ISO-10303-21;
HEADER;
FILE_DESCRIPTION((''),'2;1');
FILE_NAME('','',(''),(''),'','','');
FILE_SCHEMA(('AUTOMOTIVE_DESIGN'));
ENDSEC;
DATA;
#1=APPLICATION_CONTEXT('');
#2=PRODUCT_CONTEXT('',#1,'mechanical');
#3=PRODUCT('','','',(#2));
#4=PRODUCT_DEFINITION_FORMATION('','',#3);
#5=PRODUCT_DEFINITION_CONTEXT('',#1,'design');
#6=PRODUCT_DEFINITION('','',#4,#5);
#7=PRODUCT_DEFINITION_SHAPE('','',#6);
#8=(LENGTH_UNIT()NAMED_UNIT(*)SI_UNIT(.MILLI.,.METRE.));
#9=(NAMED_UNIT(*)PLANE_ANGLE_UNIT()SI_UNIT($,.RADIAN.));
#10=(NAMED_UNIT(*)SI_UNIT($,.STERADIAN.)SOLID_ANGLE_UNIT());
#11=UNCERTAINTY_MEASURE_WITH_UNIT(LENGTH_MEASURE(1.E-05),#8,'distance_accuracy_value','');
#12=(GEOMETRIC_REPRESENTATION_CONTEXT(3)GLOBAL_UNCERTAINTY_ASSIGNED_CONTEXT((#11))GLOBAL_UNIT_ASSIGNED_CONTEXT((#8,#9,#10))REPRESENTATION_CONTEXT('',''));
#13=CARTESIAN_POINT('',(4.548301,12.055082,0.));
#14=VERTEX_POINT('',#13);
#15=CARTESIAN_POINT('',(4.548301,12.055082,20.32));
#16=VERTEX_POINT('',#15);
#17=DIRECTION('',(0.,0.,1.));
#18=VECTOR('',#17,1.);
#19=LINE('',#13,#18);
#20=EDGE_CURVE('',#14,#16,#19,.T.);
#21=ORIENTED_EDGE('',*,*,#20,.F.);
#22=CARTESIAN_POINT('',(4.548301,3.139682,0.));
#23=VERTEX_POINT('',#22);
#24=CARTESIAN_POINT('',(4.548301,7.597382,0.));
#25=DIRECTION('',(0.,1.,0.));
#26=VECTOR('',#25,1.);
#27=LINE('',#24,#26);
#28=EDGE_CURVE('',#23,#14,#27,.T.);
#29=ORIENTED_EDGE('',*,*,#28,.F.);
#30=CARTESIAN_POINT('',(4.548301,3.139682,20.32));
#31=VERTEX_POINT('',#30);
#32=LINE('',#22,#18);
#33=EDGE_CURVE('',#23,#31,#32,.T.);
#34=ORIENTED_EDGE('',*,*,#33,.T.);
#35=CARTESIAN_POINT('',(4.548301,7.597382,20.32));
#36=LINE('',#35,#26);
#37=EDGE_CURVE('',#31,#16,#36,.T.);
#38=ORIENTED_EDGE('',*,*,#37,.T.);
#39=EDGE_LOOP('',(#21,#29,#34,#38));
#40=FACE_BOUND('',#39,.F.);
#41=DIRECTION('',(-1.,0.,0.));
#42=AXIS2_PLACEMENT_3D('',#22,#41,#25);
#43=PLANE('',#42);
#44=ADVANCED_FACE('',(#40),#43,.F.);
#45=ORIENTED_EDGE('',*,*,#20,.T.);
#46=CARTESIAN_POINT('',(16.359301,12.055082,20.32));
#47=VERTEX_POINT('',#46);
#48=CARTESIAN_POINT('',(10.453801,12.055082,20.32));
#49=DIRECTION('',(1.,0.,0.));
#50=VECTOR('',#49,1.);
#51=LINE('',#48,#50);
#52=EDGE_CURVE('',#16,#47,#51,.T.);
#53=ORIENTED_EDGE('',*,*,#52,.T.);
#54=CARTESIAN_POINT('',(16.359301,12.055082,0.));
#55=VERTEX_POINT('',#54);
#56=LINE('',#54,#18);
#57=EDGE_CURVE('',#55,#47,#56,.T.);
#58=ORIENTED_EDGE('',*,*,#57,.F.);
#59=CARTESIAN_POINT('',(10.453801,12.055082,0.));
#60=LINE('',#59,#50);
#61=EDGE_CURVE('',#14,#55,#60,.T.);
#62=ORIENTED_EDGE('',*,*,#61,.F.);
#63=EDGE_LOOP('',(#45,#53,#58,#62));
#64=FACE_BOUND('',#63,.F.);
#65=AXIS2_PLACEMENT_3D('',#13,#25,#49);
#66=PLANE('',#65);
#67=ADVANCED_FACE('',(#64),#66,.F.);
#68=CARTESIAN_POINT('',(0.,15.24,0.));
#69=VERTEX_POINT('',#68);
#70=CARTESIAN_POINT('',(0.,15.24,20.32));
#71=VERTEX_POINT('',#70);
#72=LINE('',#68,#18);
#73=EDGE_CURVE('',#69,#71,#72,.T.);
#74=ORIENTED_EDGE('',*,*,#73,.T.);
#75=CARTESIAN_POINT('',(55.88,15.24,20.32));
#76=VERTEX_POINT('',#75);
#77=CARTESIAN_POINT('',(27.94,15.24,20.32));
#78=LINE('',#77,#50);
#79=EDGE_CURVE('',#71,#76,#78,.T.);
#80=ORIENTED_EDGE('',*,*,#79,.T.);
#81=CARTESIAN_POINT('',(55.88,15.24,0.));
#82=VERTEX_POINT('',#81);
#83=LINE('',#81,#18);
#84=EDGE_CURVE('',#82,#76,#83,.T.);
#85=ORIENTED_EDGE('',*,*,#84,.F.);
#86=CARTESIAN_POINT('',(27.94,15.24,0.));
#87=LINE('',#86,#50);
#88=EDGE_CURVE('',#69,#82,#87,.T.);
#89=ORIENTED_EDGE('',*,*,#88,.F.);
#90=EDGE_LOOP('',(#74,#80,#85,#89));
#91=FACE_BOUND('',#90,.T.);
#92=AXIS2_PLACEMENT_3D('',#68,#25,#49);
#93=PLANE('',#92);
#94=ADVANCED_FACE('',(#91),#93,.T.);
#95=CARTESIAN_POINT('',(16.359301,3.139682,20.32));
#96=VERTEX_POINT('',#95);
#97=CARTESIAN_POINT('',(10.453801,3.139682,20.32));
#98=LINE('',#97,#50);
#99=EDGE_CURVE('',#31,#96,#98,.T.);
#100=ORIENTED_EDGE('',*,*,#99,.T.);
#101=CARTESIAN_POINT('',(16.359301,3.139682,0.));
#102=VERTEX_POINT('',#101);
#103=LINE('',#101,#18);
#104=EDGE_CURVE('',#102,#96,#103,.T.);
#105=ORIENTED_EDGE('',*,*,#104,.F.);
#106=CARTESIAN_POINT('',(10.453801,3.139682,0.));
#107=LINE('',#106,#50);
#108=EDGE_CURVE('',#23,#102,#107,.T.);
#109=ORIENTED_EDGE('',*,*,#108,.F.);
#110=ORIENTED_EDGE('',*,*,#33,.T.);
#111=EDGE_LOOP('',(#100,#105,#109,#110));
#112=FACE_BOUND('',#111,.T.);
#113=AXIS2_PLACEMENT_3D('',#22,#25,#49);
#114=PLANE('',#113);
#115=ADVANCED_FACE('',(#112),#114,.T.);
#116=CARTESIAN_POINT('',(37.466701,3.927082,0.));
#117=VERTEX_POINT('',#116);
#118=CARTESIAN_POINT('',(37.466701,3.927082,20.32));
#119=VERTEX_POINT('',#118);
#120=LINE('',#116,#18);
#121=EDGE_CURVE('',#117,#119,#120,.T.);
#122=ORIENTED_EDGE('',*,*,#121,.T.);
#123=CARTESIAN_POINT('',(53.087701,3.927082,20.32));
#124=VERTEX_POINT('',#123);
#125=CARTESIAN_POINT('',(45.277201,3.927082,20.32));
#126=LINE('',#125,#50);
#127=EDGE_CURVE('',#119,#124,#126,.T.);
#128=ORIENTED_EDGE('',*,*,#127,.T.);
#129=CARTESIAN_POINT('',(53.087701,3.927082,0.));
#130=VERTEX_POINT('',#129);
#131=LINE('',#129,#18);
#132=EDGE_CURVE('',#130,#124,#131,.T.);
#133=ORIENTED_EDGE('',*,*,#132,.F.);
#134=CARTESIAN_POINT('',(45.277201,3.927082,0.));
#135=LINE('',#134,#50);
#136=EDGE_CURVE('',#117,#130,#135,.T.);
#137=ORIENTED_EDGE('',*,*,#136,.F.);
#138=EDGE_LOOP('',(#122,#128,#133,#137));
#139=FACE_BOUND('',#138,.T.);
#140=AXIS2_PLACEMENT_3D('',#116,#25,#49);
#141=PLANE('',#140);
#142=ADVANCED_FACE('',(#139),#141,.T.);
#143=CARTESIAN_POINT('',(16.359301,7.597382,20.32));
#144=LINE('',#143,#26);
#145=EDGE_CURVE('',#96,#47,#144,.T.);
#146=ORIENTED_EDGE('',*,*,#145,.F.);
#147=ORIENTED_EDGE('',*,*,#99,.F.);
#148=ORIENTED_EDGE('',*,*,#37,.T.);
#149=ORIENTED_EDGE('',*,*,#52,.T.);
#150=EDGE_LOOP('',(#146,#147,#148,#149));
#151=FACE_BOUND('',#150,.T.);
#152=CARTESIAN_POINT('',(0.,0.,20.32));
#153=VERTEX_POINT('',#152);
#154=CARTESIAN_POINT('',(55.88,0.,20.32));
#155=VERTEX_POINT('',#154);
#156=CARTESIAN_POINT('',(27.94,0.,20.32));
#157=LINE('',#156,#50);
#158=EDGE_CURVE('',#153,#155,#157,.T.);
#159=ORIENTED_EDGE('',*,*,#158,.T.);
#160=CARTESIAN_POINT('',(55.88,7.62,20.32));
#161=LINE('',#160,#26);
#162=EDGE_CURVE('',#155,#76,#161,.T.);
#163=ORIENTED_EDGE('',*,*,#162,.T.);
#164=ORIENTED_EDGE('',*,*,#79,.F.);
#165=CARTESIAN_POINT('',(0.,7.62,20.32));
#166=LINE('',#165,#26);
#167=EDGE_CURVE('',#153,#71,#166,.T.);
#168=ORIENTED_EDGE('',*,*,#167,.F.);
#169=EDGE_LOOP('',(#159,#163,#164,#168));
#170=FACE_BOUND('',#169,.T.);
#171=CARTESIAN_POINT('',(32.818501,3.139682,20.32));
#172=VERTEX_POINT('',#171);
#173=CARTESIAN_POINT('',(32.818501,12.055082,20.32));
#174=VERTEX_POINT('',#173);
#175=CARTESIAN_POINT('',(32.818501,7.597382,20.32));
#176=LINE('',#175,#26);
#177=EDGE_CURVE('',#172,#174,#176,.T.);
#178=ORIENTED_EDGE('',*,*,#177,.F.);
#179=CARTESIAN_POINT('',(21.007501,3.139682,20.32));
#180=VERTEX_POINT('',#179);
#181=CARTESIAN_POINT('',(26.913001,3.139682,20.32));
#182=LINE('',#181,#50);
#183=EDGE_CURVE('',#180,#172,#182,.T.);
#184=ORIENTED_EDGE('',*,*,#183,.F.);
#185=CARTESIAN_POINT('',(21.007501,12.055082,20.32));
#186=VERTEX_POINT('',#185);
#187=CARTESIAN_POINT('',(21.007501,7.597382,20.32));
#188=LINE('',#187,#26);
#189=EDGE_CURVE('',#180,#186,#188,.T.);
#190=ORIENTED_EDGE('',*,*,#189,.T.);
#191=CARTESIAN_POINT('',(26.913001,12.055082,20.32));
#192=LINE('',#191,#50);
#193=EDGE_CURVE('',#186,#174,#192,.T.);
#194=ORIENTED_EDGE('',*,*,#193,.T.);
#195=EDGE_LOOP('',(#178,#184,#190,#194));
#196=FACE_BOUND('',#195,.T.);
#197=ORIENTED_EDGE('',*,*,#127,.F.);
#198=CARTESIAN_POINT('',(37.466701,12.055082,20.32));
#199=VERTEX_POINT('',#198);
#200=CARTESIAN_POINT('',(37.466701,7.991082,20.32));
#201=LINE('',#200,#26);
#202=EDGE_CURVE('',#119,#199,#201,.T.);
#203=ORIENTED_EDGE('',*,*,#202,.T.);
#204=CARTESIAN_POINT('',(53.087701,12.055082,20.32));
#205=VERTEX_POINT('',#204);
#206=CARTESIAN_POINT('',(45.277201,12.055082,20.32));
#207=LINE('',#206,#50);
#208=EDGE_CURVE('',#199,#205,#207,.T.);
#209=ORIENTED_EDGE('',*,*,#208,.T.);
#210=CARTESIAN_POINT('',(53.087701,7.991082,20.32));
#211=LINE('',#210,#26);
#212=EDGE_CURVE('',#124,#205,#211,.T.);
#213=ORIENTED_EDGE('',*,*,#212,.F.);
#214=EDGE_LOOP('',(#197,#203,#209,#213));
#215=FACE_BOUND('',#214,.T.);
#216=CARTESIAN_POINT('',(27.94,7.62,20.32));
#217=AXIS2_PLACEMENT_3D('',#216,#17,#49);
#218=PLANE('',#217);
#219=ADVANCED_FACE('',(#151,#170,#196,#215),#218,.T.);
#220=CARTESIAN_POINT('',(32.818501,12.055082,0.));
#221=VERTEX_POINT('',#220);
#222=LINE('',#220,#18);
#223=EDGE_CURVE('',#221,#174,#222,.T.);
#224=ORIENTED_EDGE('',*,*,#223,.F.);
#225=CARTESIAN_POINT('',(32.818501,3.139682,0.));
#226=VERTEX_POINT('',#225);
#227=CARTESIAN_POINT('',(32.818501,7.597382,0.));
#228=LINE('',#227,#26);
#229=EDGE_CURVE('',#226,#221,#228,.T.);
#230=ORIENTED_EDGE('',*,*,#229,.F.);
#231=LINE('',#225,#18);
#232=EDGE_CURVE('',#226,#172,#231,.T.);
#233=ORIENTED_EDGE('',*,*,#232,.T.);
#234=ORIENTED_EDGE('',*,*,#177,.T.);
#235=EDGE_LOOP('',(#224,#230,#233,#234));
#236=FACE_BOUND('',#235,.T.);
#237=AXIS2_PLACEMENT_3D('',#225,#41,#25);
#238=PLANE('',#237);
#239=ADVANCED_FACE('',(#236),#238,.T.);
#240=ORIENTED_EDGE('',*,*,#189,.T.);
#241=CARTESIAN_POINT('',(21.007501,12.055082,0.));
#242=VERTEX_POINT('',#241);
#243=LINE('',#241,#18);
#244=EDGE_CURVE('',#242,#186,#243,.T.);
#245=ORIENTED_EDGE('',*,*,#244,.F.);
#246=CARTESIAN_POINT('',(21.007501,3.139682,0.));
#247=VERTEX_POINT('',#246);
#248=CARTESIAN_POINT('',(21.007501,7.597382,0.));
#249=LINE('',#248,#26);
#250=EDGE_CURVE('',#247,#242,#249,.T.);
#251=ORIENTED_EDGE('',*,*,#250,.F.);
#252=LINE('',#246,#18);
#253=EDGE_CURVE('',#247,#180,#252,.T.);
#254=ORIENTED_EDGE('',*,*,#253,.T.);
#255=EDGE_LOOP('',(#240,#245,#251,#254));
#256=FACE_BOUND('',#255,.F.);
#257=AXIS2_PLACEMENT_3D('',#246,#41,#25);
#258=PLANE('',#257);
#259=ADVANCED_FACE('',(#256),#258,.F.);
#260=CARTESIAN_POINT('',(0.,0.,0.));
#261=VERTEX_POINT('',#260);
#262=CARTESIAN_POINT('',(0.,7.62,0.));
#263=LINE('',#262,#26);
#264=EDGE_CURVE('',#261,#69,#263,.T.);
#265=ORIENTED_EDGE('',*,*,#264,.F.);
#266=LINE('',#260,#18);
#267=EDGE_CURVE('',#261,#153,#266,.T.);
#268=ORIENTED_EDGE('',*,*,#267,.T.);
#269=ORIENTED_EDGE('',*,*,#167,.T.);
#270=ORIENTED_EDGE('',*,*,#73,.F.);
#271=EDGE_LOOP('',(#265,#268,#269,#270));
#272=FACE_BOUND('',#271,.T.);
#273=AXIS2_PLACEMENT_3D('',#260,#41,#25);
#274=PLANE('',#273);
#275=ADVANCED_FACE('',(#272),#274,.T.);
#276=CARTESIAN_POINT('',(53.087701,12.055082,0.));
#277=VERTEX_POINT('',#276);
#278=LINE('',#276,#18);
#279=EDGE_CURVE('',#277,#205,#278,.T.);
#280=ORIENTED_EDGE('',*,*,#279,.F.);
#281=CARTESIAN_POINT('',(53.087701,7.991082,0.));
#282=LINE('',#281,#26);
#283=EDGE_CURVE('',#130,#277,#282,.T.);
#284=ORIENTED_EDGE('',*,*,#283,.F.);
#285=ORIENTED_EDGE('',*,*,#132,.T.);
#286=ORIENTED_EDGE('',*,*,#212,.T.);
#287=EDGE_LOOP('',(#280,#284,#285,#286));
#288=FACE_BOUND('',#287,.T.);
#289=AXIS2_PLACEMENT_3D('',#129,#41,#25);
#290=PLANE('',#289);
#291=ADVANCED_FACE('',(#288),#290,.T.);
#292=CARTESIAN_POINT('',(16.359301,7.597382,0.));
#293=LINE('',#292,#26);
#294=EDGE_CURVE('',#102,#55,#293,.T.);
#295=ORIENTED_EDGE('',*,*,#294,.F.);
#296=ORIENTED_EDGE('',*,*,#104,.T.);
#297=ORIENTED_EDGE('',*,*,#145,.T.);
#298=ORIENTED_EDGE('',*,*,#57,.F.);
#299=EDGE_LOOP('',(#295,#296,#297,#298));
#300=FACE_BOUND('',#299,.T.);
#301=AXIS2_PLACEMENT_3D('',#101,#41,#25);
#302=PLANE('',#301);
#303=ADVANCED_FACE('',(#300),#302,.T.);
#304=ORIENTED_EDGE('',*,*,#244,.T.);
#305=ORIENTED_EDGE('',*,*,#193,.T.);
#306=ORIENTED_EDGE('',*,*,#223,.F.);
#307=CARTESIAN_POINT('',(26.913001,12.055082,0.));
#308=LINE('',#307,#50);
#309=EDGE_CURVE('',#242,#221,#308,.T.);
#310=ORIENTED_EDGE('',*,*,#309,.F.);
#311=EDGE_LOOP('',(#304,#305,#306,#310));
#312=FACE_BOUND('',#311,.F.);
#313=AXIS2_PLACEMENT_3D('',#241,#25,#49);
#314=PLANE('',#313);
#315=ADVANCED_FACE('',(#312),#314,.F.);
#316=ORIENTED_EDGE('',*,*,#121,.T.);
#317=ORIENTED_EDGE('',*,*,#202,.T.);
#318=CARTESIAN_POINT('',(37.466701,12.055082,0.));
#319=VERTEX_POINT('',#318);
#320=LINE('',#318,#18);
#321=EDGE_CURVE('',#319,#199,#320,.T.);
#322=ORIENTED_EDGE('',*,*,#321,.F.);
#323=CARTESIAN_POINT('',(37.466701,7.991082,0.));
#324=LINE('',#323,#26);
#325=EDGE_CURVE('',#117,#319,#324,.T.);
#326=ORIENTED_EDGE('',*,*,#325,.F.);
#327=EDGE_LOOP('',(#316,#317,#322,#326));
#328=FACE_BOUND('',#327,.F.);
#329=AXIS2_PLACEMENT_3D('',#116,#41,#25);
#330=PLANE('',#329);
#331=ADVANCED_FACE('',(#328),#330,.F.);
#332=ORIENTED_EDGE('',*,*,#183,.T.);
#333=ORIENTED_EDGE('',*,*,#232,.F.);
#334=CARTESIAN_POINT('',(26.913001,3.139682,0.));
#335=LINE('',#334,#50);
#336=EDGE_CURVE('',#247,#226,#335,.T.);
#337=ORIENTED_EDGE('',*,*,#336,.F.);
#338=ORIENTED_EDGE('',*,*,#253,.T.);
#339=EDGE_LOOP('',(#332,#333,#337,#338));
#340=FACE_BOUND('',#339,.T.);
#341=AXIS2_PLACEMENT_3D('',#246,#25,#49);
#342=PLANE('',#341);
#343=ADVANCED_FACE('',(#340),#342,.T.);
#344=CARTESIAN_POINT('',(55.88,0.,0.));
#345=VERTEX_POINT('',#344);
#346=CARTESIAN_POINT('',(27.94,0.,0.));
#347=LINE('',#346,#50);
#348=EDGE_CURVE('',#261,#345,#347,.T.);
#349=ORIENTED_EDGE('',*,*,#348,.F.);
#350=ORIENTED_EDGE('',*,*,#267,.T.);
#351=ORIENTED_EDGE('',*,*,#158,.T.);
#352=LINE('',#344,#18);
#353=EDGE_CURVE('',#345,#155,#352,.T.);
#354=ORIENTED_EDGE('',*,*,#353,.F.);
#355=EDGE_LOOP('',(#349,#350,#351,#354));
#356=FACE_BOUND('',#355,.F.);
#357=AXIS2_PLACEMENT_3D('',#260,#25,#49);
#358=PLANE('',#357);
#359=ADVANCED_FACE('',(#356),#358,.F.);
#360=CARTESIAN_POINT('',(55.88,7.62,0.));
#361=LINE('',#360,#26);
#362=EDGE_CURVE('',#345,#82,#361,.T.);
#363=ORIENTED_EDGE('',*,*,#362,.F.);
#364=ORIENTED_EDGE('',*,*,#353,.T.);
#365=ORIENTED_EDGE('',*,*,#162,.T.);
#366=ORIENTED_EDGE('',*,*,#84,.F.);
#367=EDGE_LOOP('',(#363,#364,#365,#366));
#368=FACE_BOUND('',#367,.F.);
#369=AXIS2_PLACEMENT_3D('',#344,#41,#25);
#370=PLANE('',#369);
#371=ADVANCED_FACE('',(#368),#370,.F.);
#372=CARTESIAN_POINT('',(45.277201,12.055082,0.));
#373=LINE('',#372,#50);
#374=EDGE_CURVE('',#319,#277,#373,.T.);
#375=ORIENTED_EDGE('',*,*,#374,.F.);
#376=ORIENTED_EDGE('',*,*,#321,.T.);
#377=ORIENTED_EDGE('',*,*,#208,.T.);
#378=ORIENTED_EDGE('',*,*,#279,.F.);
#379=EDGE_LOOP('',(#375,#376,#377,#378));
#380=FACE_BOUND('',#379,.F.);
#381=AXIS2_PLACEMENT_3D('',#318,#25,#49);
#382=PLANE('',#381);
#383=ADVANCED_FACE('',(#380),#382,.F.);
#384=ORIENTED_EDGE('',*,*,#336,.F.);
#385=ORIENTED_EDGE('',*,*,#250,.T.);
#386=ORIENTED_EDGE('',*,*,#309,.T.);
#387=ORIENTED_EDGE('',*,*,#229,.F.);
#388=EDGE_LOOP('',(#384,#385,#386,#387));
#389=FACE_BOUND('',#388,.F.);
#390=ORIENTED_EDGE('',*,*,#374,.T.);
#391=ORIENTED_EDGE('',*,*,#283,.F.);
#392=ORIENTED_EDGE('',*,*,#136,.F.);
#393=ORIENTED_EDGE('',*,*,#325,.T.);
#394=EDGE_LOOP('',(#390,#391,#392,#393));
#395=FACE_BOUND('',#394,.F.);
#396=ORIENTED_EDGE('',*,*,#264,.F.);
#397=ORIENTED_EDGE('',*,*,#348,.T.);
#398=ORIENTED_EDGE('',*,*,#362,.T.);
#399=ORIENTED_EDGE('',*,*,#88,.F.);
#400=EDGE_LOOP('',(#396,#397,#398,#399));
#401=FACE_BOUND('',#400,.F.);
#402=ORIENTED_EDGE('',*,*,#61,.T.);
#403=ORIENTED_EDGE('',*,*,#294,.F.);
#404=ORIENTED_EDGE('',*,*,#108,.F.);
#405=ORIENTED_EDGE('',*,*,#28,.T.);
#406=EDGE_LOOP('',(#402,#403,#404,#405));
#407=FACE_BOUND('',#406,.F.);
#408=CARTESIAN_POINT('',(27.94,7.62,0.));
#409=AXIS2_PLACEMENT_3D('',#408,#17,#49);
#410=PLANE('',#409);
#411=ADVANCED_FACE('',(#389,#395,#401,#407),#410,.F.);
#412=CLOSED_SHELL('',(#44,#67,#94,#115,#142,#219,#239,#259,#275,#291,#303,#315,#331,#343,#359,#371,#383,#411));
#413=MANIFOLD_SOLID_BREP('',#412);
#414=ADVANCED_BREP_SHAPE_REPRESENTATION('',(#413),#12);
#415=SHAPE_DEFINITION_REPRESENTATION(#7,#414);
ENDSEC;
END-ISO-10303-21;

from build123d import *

# Parameters (mm, degrees)
F0_W     = 55.88
F0_H     = 15.24
F0_W_2   = 11.811
F0_H_2   = 8.9154
F0_W_3   = 15.621
F0_H_3   = 8.128
F1_DEPTH = 20.32


with BuildPart() as f1:
    # F0 (on Top) → F1 (new body)
    with BuildSketch(Plane.XY):
        with Locations((27.94, 7.62)):
            Rectangle(F0_W, F0_H)
        with Locations((10.453801, 7.597382)):
            Rectangle(F0_W_2, F0_H_2, mode=Mode.SUBTRACT)
        with Locations((26.913001, 7.597382)):
            Rectangle(F0_W_2, F0_H_2, mode=Mode.SUBTRACT)
        with Locations((45.277201, 7.991082)):
            Rectangle(F0_W_3, F0_H_3, mode=Mode.SUBTRACT)
    extrude(amount=F1_DEPTH)


solid = f1.part
